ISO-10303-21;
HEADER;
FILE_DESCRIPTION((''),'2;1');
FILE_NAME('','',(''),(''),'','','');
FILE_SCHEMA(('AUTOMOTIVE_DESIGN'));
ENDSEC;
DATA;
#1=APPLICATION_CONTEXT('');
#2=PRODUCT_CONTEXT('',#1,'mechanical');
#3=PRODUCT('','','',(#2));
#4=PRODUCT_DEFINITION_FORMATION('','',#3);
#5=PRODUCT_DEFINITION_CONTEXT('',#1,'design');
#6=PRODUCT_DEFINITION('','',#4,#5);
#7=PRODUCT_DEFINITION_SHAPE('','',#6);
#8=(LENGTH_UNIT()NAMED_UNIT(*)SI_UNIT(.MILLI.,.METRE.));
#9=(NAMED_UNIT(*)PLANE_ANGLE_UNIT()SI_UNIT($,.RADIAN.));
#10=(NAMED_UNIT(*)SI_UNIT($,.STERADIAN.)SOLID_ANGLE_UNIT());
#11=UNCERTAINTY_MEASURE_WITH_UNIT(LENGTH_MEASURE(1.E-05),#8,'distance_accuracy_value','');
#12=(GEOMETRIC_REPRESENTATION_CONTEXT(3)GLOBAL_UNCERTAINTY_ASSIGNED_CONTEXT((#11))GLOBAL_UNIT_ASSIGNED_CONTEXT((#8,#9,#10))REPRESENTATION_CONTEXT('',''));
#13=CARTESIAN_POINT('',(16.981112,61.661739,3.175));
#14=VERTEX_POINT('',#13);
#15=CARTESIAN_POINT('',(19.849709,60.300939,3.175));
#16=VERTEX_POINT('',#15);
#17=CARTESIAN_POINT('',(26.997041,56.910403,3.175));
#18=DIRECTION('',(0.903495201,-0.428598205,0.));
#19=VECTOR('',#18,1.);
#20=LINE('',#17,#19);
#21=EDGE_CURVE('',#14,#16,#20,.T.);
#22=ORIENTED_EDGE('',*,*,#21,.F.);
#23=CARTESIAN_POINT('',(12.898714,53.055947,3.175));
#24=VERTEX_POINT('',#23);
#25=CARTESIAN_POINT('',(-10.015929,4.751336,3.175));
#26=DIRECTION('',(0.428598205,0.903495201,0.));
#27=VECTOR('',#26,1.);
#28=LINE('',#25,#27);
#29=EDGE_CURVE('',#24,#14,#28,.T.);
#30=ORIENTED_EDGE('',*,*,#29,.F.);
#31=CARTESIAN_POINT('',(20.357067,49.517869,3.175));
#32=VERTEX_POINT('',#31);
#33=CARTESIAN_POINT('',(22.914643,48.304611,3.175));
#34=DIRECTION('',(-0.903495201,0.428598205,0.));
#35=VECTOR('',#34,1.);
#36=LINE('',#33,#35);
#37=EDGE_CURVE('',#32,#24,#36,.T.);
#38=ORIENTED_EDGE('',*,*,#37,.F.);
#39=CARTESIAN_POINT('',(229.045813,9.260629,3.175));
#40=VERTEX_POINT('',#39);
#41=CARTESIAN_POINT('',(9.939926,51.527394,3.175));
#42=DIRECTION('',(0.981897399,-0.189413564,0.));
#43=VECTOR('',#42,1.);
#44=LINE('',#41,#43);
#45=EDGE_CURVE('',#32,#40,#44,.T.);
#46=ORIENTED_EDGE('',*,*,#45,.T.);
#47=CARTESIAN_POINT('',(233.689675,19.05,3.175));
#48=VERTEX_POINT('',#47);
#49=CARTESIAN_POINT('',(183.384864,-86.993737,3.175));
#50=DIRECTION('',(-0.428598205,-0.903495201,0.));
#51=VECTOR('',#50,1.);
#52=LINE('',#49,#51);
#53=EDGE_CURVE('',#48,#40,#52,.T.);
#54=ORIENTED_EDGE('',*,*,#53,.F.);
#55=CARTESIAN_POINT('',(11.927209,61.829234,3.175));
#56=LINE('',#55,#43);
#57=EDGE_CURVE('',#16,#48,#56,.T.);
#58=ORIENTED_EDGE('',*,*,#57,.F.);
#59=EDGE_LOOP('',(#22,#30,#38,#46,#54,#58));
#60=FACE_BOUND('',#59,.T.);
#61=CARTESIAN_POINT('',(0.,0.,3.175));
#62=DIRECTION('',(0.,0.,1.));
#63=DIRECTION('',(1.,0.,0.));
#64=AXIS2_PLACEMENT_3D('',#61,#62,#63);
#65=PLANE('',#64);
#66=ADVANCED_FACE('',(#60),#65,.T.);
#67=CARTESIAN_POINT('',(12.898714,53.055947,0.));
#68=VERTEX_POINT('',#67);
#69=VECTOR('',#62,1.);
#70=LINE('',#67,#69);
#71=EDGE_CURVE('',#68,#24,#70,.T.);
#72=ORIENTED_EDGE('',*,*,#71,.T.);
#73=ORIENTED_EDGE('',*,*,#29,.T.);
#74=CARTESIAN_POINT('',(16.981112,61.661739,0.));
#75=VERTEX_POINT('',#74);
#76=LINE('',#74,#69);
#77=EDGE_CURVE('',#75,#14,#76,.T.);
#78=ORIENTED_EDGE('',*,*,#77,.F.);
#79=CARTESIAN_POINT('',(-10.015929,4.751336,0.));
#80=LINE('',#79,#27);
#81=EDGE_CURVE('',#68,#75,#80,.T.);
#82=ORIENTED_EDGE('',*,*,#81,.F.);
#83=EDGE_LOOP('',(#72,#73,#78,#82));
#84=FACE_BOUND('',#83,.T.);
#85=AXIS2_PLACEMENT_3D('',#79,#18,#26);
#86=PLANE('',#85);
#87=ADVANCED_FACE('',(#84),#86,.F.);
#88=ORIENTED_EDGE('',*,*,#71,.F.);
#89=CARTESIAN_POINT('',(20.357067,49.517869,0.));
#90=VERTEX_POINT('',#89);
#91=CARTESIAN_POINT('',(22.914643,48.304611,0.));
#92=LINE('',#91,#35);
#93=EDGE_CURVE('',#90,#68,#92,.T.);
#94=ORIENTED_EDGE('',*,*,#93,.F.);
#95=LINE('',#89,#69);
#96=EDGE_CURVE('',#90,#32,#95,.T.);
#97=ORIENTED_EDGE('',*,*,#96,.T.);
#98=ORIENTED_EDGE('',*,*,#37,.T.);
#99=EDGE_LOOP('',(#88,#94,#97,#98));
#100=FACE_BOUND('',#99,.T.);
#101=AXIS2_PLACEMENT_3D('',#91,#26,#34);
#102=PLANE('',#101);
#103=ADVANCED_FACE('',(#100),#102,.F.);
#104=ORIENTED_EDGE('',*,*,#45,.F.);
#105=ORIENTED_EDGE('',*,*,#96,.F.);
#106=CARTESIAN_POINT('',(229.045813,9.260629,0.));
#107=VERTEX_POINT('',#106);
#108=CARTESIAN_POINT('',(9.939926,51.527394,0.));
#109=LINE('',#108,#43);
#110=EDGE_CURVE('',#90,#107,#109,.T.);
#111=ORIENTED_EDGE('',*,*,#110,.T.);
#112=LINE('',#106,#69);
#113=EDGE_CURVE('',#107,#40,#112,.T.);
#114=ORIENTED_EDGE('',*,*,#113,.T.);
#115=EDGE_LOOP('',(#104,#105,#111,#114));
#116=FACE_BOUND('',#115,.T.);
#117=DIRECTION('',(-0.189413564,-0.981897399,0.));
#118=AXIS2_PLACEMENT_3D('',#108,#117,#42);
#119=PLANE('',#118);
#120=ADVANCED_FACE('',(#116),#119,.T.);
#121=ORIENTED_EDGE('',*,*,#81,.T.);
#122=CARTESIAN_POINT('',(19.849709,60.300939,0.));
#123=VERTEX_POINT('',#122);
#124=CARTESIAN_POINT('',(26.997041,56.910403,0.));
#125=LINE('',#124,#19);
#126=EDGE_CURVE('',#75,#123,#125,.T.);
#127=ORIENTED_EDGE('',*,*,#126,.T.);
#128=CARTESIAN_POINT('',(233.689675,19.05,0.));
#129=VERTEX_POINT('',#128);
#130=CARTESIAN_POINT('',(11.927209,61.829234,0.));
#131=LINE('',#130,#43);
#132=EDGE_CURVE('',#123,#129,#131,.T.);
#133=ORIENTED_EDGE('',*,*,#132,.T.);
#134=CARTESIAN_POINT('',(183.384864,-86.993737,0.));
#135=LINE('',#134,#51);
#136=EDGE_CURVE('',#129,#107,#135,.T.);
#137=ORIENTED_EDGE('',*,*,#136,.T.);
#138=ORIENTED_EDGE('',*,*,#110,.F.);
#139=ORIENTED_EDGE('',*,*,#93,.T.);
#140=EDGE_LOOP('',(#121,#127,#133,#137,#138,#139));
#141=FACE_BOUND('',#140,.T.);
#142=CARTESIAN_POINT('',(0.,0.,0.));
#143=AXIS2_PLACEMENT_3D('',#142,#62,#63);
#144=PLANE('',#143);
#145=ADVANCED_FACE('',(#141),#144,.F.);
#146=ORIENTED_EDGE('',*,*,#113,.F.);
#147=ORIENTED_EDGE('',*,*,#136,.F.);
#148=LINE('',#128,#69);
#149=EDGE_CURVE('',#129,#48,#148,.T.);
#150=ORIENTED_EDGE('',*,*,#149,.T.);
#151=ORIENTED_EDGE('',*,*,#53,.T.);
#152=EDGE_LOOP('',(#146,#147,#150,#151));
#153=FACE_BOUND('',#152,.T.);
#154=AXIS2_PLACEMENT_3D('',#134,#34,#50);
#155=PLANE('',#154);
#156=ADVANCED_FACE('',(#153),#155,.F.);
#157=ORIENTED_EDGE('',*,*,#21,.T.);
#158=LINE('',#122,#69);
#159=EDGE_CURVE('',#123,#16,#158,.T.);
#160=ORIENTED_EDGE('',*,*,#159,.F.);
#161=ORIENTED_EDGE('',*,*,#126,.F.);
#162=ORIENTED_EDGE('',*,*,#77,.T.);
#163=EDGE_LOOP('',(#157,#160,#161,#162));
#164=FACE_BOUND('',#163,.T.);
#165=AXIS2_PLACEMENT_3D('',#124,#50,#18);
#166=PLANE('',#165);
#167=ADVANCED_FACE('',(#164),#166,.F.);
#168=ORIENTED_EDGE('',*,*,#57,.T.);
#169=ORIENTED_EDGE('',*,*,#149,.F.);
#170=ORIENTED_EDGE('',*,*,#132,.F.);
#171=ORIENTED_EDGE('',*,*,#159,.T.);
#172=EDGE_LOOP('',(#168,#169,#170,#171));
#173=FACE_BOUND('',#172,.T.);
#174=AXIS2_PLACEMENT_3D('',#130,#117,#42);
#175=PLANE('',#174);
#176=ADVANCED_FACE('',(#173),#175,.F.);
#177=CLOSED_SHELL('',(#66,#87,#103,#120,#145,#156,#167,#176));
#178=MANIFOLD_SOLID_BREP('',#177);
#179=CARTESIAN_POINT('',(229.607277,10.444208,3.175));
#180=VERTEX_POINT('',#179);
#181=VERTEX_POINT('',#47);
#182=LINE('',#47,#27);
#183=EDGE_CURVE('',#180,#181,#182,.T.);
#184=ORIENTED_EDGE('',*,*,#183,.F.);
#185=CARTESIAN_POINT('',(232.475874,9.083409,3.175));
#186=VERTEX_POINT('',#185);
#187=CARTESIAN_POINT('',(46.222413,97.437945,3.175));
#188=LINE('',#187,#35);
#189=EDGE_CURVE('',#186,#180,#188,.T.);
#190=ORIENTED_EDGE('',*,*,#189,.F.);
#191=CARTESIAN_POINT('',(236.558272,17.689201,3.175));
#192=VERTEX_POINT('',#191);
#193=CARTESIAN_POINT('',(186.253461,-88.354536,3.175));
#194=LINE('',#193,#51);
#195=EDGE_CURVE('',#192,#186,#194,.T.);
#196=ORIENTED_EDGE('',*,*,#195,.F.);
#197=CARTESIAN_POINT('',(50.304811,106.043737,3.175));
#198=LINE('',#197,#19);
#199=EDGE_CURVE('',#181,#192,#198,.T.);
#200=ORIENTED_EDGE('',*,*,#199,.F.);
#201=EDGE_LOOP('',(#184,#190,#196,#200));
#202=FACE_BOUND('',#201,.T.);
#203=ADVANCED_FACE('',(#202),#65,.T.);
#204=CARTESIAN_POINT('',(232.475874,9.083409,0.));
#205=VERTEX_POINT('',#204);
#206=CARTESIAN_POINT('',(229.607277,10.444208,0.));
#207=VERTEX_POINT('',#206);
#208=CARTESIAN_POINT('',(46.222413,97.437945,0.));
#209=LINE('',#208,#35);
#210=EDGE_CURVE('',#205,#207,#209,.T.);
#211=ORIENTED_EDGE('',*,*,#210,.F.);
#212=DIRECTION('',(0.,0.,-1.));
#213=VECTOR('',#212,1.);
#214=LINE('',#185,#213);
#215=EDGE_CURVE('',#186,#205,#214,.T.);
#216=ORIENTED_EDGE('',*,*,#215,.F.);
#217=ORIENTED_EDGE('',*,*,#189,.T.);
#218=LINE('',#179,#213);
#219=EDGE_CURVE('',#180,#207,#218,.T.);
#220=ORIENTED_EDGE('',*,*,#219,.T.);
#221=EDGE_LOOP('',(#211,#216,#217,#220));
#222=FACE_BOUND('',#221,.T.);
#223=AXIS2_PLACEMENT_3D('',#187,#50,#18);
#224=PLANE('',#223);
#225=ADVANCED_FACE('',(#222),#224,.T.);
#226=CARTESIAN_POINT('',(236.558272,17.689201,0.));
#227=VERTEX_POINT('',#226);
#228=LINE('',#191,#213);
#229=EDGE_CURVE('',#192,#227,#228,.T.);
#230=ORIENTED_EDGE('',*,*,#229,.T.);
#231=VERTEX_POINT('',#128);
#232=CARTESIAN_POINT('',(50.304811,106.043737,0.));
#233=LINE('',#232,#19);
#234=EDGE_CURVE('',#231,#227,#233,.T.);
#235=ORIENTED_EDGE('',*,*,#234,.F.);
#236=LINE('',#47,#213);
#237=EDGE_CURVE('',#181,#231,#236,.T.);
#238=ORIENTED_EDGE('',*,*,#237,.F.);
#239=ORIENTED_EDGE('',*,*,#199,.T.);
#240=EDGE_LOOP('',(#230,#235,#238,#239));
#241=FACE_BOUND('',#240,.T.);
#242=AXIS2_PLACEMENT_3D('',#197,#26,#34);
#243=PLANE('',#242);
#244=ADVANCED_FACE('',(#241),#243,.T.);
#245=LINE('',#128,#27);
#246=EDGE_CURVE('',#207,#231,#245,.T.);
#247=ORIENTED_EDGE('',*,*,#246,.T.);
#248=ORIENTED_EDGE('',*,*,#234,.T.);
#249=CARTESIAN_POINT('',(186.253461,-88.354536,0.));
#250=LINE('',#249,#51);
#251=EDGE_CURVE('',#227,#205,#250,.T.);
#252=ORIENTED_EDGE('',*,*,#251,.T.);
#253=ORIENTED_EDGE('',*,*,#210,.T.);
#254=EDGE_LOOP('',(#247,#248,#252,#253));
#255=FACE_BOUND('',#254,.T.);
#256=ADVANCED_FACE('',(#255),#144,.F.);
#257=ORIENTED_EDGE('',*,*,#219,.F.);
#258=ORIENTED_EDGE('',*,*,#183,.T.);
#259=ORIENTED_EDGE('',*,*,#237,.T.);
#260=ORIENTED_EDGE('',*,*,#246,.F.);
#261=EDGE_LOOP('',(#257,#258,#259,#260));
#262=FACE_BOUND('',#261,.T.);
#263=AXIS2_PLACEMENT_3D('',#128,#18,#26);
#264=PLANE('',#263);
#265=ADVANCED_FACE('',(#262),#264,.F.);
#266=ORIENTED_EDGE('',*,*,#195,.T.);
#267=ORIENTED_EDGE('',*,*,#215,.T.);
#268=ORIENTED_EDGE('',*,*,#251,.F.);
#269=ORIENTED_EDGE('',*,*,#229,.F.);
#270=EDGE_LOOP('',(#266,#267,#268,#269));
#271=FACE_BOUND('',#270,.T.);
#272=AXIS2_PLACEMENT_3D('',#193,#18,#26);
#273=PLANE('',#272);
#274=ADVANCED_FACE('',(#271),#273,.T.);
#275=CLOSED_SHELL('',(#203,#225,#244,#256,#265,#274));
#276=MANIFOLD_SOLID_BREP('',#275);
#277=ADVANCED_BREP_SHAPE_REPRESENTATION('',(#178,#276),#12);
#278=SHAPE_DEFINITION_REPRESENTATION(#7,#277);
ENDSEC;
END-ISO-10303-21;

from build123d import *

# Parameters (mm, degrees)
BOSS_EXTRUDE1_DEPTH = 3.175
CUT_EXTRUDE1_DEPTH  = 238.449079666
CUT_EXTRUDE2_DEPTH  = 238.449079666
CUT_EXTRUDE3_DEPTH  = 238.449079666
BOSS_EXTRUDE2_DEPTH = 3.175


with BuildPart() as part:
    # Sketch1 → Boss-Extrude1 (new body)
    with BuildSketch(Plane.XY):
        Polygon((233.689675114, 19.05), (0, 19.05), (-2.639109482, 20.301935358), (-6.721507389, 11.696143569), (-4.082397907, 10.44420821), (-7.376853836, 3.499416834), (0, 0), (224.652775078, 0), (224.700845079, 0.101332705), (116.204157045, 1.003029976), (116.204399748, 1.032233261), (224.714645025, 0.130423318), (229.607277207, 10.44420821), (232.47587447, 9.083408908), (236.558272377, 17.689200698), align=None)
    extrude(amount=BOSS_EXTRUDE1_DEPTH)

    # Sketch2 → Cut-Extrude1 (cut, through all)
    with BuildSketch(Plane.XY.offset(3.175)):
        Polygon((-7.376853836, 9.525), (-7.376853836, 0), (236.558272377, 0), (236.558272377, 4.7625), (229.171225096, 9.525), align=None)
    extrude(amount=-CUT_EXTRUDE1_DEPTH, mode=Mode.SUBTRACT)

    # Sketch3 → Cut-Extrude2 (cut, through all)
    with BuildSketch(Plane.XY.offset(3.175)):
        Polygon((-4.082397907, 10.44420821), (-4.518450018, 9.525), (-2.144685159, 9.525), align=None)
    extrude(amount=-CUT_EXTRUDE2_DEPTH, mode=Mode.SUBTRACT)

    # Sketch4 → Cut-Extrude3 (cut, through all)
    with BuildSketch(Plane.XY.offset(3.175)):
        Polygon((-6.721507389, 11.696143569), (40.288847635, 110.795088966), (233.689675114, 19.05), (186.679320089, -80.048945397), align=None)
    extrude(amount=-CUT_EXTRUDE3_DEPTH, mode=Mode.SUBTRACT)


with BuildPart() as body_2:
    # Sketch5 → Boss-Extrude2 (new body)
    with BuildSketch(Plane.XY.offset(3.175)):
        Polygon((233.689675114, 19.05), (19.849708932, 60.30093938), (16.981111669, 61.661738682), (12.898713762, 53.055946892), (20.357066646, 49.517868706), (229.045813198, 9.260628739), (229.607277207, 10.44420821), align=None)
    extrude(amount=-BOSS_EXTRUDE2_DEPTH)


solid = Compound([part.part, body_2.part])
